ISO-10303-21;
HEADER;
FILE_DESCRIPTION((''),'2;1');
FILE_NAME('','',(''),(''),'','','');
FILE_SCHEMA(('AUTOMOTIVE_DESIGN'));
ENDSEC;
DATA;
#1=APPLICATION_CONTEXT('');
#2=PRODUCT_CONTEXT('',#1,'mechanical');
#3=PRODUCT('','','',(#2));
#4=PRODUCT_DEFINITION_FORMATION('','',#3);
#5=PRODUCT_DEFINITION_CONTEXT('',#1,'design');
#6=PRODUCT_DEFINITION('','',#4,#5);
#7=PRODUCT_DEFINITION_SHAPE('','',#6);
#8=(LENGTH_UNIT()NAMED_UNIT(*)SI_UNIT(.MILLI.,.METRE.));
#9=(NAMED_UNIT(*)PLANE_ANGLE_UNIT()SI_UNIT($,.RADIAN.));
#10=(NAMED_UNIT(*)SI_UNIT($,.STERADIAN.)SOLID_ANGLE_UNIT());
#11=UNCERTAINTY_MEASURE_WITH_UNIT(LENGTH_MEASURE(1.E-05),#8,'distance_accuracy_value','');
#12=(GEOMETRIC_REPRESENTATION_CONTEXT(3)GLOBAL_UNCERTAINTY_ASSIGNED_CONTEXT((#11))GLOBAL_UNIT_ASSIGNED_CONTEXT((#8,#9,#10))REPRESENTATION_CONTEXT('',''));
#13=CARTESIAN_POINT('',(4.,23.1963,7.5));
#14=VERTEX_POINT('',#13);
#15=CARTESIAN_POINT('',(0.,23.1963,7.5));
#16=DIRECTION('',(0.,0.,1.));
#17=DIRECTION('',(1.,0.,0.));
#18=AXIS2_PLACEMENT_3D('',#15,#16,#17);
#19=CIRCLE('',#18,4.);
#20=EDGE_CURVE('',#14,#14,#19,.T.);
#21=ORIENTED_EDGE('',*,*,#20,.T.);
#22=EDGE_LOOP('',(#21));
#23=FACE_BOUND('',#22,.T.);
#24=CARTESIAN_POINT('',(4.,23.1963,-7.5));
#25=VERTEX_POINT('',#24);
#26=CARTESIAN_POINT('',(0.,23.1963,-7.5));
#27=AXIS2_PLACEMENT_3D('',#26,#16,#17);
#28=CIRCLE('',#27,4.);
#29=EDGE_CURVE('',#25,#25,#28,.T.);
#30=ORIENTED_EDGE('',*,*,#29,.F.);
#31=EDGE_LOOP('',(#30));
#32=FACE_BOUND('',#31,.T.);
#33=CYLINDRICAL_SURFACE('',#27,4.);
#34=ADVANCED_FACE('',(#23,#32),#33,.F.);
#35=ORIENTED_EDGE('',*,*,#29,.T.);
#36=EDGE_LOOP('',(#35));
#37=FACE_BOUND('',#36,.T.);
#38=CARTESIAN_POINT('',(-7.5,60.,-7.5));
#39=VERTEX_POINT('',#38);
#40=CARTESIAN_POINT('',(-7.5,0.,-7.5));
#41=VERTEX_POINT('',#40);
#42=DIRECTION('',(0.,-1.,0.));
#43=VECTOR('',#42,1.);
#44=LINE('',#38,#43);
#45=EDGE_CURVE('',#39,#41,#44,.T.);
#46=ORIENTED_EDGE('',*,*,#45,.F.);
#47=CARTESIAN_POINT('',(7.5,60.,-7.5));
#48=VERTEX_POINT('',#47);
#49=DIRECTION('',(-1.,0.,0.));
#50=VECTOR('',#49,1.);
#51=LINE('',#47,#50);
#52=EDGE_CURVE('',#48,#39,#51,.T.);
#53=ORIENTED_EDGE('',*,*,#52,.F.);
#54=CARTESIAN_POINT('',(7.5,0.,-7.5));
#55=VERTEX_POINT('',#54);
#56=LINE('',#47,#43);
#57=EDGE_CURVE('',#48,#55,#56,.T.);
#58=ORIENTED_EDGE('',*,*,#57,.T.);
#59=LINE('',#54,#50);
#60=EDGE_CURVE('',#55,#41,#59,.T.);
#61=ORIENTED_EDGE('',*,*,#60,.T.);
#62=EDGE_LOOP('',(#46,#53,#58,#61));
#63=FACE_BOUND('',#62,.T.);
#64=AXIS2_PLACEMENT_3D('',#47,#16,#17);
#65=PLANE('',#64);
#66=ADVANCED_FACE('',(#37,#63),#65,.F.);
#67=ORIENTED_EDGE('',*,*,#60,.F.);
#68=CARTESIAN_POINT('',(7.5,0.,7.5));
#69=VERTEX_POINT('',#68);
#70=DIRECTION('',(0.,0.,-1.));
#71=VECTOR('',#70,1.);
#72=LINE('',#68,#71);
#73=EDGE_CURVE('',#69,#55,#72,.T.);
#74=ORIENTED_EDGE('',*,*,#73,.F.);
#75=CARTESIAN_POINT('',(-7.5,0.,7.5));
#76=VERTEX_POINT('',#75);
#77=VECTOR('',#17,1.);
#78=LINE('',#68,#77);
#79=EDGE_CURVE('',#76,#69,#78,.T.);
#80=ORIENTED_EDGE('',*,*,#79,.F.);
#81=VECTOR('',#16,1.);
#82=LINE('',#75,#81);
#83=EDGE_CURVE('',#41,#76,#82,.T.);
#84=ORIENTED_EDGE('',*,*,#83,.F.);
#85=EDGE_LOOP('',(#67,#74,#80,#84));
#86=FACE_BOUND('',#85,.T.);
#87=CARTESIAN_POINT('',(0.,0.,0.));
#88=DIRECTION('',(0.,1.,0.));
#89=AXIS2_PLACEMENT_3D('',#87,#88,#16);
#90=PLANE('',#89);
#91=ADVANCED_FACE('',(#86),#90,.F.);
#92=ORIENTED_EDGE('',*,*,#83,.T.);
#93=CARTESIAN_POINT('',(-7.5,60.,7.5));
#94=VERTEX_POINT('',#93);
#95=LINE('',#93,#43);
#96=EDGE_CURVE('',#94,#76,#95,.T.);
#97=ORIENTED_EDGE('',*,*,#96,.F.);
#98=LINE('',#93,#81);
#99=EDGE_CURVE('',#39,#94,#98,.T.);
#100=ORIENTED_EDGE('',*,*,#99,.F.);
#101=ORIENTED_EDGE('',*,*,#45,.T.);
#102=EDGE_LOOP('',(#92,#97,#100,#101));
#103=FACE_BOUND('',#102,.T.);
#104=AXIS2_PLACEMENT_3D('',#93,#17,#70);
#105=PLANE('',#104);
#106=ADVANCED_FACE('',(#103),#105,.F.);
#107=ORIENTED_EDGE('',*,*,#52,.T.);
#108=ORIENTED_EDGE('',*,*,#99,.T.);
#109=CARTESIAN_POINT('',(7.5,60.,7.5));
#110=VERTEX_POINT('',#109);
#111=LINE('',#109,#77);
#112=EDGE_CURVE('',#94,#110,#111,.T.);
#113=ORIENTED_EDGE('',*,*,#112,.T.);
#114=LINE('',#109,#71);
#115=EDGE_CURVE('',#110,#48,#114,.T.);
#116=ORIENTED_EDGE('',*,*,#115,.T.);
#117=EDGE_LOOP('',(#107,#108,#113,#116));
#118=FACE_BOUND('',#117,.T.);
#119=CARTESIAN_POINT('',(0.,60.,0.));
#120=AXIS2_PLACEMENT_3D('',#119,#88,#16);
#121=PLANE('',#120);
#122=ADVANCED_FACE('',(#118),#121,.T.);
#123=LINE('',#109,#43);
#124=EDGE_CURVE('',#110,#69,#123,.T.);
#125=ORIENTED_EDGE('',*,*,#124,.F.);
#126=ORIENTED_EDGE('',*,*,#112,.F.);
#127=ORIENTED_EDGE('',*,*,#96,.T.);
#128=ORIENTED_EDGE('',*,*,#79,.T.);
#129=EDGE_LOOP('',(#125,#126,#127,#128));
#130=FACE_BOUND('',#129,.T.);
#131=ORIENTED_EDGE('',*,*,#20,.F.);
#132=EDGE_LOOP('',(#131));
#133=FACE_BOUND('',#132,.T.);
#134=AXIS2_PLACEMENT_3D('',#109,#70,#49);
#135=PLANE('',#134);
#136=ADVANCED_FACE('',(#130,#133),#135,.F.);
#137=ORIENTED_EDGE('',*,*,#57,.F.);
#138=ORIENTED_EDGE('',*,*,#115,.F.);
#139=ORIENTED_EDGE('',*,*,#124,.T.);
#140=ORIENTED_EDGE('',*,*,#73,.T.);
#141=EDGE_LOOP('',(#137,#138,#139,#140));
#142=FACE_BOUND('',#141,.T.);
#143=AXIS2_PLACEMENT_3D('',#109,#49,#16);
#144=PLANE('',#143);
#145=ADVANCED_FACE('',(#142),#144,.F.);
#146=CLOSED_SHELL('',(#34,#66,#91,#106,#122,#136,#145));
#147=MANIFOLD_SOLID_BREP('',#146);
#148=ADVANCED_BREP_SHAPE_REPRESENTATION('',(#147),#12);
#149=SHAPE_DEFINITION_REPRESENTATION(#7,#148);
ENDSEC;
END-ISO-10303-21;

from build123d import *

# Parameters (mm, degrees)
SKETCH1_W           = 15
SKETCH1_H           = 15
BOSS_EXTRUDE1_DEPTH = 60
SKETCH2_R           = 4
CUT_EXTRUDE1_DEPTH  = 16


with BuildPart() as part:
    # Sketch1 → Boss-Extrude1 (new body)
    with BuildSketch(Plane(origin=(0, 0, 0), x_dir=(1, 0, 0), z_dir=(0, 1, 0))):
        Rectangle(SKETCH1_W, SKETCH1_H)
    extrude(amount=BOSS_EXTRUDE1_DEPTH)

    # Sketch2 → Cut-Extrude1 (cut, through all)
    with BuildSketch(Plane.XY.offset(7.5)):
        with Locations((0, 23.196300488)):
            Circle(SKETCH2_R)
    extrude(amount=-CUT_EXTRUDE1_DEPTH, mode=Mode.SUBTRACT)


solid = part.part
